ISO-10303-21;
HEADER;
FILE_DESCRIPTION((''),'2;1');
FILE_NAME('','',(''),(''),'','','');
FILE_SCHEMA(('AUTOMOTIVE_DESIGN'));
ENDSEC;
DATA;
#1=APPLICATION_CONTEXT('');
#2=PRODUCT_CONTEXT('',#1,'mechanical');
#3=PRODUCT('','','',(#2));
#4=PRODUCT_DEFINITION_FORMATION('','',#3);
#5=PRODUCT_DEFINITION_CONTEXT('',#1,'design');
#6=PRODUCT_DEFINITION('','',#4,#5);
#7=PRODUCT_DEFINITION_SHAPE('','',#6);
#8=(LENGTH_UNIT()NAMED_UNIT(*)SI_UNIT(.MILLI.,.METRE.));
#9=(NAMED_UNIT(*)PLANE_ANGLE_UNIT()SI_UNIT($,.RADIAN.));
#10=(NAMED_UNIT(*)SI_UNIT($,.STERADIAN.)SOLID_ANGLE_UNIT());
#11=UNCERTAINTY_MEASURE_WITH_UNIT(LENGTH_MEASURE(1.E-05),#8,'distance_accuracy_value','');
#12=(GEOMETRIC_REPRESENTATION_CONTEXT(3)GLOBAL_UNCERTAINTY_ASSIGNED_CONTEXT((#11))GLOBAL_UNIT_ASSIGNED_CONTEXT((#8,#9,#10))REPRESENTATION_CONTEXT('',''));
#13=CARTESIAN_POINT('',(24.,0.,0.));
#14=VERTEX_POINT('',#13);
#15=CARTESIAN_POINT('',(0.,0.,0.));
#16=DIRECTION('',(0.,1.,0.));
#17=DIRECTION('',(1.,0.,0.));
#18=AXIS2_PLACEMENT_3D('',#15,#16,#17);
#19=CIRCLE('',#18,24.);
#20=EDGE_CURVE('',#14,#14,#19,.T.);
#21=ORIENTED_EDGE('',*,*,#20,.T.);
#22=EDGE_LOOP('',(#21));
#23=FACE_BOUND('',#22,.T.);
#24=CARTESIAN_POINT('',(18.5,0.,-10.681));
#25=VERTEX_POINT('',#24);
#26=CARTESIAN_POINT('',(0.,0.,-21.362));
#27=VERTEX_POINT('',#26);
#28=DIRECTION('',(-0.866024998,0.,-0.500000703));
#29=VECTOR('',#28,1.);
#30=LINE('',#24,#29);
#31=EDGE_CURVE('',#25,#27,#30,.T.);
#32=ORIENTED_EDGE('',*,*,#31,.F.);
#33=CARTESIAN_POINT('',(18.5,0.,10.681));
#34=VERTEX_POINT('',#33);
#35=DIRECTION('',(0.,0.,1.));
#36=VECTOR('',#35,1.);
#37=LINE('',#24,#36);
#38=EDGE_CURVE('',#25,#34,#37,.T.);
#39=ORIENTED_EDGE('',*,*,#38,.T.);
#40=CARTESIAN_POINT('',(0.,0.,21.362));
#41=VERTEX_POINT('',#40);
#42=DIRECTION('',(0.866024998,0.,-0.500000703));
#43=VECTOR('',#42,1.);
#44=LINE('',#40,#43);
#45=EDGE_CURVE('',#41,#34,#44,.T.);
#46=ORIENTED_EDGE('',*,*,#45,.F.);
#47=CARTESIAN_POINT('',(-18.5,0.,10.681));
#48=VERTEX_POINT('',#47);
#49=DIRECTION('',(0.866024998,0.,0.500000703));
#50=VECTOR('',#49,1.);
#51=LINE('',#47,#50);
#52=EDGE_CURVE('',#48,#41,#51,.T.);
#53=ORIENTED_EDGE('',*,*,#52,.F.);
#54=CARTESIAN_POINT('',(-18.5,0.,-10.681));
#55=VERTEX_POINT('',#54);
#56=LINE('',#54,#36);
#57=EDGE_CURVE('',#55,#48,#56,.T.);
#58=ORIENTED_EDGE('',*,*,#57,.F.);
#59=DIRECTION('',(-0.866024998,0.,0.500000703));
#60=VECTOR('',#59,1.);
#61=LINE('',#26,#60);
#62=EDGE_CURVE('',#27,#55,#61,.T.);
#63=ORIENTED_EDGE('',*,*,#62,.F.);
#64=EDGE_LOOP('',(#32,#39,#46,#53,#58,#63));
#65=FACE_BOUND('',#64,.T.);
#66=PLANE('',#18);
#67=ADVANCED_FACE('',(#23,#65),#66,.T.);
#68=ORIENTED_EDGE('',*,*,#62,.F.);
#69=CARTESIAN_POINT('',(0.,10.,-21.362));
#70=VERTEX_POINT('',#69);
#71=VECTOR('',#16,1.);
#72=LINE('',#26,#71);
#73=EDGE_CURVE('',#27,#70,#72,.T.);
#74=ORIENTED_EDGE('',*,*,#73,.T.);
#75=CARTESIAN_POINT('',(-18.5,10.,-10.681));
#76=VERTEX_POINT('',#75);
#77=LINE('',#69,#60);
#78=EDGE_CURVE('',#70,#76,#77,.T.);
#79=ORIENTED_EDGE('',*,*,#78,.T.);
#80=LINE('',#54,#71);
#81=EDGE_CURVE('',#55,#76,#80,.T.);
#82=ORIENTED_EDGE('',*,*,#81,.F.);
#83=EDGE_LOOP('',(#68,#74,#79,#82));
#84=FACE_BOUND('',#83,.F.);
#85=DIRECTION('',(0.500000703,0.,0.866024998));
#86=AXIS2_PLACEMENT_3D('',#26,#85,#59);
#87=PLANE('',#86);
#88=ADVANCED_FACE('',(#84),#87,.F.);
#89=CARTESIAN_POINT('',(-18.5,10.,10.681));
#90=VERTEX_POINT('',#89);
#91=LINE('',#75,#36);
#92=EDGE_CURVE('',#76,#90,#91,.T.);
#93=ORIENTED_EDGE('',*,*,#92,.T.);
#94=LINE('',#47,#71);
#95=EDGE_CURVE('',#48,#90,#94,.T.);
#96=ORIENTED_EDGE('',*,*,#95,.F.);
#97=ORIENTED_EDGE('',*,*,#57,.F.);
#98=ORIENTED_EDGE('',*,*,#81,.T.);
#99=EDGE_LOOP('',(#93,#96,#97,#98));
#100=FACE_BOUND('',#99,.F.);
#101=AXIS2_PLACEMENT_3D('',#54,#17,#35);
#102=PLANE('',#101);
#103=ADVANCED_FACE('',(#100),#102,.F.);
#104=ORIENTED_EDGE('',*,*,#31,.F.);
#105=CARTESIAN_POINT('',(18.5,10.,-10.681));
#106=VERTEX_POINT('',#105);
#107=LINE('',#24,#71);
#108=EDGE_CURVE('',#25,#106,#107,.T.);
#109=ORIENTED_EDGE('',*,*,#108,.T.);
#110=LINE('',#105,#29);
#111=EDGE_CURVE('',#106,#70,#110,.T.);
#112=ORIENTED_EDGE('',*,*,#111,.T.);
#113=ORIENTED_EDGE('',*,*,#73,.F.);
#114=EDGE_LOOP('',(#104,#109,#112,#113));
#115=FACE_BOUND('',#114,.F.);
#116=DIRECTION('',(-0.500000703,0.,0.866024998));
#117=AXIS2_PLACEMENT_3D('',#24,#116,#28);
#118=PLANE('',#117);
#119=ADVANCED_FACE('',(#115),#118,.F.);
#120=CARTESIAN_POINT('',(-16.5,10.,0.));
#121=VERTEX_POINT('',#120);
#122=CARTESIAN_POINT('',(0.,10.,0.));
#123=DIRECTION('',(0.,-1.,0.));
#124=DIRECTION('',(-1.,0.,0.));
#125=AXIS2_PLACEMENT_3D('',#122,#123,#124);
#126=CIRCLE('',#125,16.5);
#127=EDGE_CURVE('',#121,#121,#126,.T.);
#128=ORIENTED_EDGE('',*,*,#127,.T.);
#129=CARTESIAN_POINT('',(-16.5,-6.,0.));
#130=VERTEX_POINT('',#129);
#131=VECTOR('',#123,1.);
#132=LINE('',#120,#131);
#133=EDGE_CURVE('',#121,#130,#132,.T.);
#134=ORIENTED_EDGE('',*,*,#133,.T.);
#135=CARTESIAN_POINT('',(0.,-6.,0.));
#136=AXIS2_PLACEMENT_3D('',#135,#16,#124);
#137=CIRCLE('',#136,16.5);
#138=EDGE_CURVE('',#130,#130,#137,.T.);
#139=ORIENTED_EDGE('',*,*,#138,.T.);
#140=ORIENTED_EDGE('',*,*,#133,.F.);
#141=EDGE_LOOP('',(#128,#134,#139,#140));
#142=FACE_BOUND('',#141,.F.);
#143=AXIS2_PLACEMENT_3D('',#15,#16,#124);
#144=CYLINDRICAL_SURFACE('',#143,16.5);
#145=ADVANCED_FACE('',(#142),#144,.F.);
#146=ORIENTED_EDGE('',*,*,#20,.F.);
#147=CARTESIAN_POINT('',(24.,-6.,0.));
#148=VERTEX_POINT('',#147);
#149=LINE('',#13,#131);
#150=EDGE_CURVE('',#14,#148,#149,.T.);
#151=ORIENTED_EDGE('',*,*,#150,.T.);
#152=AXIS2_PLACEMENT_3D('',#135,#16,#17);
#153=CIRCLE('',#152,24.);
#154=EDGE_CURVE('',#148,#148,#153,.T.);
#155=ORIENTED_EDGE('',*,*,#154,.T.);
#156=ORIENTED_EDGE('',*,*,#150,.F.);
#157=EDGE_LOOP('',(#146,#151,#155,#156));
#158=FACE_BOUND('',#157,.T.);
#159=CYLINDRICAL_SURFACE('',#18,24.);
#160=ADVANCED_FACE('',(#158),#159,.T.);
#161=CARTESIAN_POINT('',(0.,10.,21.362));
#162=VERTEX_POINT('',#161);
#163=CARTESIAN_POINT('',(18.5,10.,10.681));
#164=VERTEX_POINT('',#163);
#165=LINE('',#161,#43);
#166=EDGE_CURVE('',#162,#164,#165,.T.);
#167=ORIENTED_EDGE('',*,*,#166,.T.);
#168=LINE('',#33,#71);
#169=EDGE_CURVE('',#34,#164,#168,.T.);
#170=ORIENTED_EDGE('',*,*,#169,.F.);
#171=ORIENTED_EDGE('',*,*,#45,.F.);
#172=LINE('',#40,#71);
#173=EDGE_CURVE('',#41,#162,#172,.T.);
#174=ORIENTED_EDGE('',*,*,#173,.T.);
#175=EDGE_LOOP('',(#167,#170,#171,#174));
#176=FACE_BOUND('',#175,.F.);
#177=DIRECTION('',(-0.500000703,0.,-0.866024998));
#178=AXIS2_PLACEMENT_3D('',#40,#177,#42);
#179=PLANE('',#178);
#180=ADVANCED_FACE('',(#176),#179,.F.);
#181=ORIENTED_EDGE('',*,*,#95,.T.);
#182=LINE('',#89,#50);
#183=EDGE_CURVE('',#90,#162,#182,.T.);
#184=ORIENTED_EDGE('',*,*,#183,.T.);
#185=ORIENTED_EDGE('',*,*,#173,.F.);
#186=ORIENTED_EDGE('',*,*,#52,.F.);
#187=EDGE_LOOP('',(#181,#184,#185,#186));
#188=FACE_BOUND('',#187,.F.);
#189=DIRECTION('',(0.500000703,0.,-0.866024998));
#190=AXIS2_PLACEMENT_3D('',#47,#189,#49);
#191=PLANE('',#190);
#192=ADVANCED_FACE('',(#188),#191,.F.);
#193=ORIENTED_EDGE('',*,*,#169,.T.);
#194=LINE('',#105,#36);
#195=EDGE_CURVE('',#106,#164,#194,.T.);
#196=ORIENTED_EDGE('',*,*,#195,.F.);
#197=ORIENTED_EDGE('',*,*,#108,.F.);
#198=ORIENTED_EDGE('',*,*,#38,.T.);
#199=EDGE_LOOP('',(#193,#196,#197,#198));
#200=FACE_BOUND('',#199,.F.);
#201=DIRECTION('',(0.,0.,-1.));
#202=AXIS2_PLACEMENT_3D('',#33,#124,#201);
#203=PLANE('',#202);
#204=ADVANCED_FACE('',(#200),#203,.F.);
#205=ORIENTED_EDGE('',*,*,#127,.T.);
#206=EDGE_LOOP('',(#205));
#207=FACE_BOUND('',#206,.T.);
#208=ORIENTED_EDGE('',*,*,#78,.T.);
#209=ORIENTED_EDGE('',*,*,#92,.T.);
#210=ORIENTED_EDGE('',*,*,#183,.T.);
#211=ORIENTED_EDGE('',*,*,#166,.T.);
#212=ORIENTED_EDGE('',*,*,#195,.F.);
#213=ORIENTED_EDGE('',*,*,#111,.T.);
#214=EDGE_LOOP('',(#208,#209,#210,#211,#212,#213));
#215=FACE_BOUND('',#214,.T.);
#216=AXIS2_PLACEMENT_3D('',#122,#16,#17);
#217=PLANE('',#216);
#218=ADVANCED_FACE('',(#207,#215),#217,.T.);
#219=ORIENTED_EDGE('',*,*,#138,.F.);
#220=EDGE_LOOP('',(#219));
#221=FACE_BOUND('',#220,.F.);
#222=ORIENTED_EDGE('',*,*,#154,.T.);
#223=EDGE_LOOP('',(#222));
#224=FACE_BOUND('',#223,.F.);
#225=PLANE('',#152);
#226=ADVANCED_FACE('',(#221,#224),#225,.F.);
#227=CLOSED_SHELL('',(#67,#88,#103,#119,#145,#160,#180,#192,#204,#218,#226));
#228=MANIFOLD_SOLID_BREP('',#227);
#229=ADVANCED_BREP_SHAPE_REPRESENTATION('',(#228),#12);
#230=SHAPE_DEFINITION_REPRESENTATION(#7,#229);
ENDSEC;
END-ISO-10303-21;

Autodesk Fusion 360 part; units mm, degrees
sketch "スケッチ1" plane through (0, 0, 0) normal (0, 1, 0) x (1, 0, 0)
  line L0 (-18.5, -10.681) -> (0, -21.362)
  line L1 (0, -21.362) -> (18.5, -10.681)
  line L2 (18.5, -10.681) -> (18.5, 10.681)
  line L3 (18.5, 10.681) -> (0, 21.362)
  line L4 (0, 21.362) -> (-18.5, 10.681)
  line L5 (-18.5, 10.681) -> (-18.5, -10.681)
  curve L6
  line L7 (1.75, 0) -> (22.5, 0)
  dimension "d7" = 37
extrude "押し出し1" add sketch "スケッチ1" along normal blind 10
sketch "スケッチ3" plane through (0, 0, 0) normal (0, 1, 0) x (1, 0, 0)
  circle A0 centre (0, 0) radius 24
  dimension "d8" = 48
extrude "押し出し3" add sketch "スケッチ3" against normal blind 6
sketch "スケッチ4" plane through (0, 0, 0) normal (0, 1, 0) x (-1, 0, 0)
  circle A0 centre (0, 0) radius 24
  line L0 (18.5, -10.681) -> (0, -21.362)
  line L1 (0, -21.362) -> (-18.5, -10.681)
  line L2 (-18.5, -10.681) -> (-18.5, 10.681)
  line L3 (-18.5, 10.681) -> (0, 21.362)
  line L4 (0, 21.362) -> (18.5, 10.681)
  line L5 (18.5, 10.681) -> (18.5, -10.681)
  circle A1 centre (0, 0) radius 16.5
  dimension "d11" = 33
extrude "押し出し4" cut sketch "スケッチ4" along normal mid plane 32 contours A1
thread "ねじ2"
